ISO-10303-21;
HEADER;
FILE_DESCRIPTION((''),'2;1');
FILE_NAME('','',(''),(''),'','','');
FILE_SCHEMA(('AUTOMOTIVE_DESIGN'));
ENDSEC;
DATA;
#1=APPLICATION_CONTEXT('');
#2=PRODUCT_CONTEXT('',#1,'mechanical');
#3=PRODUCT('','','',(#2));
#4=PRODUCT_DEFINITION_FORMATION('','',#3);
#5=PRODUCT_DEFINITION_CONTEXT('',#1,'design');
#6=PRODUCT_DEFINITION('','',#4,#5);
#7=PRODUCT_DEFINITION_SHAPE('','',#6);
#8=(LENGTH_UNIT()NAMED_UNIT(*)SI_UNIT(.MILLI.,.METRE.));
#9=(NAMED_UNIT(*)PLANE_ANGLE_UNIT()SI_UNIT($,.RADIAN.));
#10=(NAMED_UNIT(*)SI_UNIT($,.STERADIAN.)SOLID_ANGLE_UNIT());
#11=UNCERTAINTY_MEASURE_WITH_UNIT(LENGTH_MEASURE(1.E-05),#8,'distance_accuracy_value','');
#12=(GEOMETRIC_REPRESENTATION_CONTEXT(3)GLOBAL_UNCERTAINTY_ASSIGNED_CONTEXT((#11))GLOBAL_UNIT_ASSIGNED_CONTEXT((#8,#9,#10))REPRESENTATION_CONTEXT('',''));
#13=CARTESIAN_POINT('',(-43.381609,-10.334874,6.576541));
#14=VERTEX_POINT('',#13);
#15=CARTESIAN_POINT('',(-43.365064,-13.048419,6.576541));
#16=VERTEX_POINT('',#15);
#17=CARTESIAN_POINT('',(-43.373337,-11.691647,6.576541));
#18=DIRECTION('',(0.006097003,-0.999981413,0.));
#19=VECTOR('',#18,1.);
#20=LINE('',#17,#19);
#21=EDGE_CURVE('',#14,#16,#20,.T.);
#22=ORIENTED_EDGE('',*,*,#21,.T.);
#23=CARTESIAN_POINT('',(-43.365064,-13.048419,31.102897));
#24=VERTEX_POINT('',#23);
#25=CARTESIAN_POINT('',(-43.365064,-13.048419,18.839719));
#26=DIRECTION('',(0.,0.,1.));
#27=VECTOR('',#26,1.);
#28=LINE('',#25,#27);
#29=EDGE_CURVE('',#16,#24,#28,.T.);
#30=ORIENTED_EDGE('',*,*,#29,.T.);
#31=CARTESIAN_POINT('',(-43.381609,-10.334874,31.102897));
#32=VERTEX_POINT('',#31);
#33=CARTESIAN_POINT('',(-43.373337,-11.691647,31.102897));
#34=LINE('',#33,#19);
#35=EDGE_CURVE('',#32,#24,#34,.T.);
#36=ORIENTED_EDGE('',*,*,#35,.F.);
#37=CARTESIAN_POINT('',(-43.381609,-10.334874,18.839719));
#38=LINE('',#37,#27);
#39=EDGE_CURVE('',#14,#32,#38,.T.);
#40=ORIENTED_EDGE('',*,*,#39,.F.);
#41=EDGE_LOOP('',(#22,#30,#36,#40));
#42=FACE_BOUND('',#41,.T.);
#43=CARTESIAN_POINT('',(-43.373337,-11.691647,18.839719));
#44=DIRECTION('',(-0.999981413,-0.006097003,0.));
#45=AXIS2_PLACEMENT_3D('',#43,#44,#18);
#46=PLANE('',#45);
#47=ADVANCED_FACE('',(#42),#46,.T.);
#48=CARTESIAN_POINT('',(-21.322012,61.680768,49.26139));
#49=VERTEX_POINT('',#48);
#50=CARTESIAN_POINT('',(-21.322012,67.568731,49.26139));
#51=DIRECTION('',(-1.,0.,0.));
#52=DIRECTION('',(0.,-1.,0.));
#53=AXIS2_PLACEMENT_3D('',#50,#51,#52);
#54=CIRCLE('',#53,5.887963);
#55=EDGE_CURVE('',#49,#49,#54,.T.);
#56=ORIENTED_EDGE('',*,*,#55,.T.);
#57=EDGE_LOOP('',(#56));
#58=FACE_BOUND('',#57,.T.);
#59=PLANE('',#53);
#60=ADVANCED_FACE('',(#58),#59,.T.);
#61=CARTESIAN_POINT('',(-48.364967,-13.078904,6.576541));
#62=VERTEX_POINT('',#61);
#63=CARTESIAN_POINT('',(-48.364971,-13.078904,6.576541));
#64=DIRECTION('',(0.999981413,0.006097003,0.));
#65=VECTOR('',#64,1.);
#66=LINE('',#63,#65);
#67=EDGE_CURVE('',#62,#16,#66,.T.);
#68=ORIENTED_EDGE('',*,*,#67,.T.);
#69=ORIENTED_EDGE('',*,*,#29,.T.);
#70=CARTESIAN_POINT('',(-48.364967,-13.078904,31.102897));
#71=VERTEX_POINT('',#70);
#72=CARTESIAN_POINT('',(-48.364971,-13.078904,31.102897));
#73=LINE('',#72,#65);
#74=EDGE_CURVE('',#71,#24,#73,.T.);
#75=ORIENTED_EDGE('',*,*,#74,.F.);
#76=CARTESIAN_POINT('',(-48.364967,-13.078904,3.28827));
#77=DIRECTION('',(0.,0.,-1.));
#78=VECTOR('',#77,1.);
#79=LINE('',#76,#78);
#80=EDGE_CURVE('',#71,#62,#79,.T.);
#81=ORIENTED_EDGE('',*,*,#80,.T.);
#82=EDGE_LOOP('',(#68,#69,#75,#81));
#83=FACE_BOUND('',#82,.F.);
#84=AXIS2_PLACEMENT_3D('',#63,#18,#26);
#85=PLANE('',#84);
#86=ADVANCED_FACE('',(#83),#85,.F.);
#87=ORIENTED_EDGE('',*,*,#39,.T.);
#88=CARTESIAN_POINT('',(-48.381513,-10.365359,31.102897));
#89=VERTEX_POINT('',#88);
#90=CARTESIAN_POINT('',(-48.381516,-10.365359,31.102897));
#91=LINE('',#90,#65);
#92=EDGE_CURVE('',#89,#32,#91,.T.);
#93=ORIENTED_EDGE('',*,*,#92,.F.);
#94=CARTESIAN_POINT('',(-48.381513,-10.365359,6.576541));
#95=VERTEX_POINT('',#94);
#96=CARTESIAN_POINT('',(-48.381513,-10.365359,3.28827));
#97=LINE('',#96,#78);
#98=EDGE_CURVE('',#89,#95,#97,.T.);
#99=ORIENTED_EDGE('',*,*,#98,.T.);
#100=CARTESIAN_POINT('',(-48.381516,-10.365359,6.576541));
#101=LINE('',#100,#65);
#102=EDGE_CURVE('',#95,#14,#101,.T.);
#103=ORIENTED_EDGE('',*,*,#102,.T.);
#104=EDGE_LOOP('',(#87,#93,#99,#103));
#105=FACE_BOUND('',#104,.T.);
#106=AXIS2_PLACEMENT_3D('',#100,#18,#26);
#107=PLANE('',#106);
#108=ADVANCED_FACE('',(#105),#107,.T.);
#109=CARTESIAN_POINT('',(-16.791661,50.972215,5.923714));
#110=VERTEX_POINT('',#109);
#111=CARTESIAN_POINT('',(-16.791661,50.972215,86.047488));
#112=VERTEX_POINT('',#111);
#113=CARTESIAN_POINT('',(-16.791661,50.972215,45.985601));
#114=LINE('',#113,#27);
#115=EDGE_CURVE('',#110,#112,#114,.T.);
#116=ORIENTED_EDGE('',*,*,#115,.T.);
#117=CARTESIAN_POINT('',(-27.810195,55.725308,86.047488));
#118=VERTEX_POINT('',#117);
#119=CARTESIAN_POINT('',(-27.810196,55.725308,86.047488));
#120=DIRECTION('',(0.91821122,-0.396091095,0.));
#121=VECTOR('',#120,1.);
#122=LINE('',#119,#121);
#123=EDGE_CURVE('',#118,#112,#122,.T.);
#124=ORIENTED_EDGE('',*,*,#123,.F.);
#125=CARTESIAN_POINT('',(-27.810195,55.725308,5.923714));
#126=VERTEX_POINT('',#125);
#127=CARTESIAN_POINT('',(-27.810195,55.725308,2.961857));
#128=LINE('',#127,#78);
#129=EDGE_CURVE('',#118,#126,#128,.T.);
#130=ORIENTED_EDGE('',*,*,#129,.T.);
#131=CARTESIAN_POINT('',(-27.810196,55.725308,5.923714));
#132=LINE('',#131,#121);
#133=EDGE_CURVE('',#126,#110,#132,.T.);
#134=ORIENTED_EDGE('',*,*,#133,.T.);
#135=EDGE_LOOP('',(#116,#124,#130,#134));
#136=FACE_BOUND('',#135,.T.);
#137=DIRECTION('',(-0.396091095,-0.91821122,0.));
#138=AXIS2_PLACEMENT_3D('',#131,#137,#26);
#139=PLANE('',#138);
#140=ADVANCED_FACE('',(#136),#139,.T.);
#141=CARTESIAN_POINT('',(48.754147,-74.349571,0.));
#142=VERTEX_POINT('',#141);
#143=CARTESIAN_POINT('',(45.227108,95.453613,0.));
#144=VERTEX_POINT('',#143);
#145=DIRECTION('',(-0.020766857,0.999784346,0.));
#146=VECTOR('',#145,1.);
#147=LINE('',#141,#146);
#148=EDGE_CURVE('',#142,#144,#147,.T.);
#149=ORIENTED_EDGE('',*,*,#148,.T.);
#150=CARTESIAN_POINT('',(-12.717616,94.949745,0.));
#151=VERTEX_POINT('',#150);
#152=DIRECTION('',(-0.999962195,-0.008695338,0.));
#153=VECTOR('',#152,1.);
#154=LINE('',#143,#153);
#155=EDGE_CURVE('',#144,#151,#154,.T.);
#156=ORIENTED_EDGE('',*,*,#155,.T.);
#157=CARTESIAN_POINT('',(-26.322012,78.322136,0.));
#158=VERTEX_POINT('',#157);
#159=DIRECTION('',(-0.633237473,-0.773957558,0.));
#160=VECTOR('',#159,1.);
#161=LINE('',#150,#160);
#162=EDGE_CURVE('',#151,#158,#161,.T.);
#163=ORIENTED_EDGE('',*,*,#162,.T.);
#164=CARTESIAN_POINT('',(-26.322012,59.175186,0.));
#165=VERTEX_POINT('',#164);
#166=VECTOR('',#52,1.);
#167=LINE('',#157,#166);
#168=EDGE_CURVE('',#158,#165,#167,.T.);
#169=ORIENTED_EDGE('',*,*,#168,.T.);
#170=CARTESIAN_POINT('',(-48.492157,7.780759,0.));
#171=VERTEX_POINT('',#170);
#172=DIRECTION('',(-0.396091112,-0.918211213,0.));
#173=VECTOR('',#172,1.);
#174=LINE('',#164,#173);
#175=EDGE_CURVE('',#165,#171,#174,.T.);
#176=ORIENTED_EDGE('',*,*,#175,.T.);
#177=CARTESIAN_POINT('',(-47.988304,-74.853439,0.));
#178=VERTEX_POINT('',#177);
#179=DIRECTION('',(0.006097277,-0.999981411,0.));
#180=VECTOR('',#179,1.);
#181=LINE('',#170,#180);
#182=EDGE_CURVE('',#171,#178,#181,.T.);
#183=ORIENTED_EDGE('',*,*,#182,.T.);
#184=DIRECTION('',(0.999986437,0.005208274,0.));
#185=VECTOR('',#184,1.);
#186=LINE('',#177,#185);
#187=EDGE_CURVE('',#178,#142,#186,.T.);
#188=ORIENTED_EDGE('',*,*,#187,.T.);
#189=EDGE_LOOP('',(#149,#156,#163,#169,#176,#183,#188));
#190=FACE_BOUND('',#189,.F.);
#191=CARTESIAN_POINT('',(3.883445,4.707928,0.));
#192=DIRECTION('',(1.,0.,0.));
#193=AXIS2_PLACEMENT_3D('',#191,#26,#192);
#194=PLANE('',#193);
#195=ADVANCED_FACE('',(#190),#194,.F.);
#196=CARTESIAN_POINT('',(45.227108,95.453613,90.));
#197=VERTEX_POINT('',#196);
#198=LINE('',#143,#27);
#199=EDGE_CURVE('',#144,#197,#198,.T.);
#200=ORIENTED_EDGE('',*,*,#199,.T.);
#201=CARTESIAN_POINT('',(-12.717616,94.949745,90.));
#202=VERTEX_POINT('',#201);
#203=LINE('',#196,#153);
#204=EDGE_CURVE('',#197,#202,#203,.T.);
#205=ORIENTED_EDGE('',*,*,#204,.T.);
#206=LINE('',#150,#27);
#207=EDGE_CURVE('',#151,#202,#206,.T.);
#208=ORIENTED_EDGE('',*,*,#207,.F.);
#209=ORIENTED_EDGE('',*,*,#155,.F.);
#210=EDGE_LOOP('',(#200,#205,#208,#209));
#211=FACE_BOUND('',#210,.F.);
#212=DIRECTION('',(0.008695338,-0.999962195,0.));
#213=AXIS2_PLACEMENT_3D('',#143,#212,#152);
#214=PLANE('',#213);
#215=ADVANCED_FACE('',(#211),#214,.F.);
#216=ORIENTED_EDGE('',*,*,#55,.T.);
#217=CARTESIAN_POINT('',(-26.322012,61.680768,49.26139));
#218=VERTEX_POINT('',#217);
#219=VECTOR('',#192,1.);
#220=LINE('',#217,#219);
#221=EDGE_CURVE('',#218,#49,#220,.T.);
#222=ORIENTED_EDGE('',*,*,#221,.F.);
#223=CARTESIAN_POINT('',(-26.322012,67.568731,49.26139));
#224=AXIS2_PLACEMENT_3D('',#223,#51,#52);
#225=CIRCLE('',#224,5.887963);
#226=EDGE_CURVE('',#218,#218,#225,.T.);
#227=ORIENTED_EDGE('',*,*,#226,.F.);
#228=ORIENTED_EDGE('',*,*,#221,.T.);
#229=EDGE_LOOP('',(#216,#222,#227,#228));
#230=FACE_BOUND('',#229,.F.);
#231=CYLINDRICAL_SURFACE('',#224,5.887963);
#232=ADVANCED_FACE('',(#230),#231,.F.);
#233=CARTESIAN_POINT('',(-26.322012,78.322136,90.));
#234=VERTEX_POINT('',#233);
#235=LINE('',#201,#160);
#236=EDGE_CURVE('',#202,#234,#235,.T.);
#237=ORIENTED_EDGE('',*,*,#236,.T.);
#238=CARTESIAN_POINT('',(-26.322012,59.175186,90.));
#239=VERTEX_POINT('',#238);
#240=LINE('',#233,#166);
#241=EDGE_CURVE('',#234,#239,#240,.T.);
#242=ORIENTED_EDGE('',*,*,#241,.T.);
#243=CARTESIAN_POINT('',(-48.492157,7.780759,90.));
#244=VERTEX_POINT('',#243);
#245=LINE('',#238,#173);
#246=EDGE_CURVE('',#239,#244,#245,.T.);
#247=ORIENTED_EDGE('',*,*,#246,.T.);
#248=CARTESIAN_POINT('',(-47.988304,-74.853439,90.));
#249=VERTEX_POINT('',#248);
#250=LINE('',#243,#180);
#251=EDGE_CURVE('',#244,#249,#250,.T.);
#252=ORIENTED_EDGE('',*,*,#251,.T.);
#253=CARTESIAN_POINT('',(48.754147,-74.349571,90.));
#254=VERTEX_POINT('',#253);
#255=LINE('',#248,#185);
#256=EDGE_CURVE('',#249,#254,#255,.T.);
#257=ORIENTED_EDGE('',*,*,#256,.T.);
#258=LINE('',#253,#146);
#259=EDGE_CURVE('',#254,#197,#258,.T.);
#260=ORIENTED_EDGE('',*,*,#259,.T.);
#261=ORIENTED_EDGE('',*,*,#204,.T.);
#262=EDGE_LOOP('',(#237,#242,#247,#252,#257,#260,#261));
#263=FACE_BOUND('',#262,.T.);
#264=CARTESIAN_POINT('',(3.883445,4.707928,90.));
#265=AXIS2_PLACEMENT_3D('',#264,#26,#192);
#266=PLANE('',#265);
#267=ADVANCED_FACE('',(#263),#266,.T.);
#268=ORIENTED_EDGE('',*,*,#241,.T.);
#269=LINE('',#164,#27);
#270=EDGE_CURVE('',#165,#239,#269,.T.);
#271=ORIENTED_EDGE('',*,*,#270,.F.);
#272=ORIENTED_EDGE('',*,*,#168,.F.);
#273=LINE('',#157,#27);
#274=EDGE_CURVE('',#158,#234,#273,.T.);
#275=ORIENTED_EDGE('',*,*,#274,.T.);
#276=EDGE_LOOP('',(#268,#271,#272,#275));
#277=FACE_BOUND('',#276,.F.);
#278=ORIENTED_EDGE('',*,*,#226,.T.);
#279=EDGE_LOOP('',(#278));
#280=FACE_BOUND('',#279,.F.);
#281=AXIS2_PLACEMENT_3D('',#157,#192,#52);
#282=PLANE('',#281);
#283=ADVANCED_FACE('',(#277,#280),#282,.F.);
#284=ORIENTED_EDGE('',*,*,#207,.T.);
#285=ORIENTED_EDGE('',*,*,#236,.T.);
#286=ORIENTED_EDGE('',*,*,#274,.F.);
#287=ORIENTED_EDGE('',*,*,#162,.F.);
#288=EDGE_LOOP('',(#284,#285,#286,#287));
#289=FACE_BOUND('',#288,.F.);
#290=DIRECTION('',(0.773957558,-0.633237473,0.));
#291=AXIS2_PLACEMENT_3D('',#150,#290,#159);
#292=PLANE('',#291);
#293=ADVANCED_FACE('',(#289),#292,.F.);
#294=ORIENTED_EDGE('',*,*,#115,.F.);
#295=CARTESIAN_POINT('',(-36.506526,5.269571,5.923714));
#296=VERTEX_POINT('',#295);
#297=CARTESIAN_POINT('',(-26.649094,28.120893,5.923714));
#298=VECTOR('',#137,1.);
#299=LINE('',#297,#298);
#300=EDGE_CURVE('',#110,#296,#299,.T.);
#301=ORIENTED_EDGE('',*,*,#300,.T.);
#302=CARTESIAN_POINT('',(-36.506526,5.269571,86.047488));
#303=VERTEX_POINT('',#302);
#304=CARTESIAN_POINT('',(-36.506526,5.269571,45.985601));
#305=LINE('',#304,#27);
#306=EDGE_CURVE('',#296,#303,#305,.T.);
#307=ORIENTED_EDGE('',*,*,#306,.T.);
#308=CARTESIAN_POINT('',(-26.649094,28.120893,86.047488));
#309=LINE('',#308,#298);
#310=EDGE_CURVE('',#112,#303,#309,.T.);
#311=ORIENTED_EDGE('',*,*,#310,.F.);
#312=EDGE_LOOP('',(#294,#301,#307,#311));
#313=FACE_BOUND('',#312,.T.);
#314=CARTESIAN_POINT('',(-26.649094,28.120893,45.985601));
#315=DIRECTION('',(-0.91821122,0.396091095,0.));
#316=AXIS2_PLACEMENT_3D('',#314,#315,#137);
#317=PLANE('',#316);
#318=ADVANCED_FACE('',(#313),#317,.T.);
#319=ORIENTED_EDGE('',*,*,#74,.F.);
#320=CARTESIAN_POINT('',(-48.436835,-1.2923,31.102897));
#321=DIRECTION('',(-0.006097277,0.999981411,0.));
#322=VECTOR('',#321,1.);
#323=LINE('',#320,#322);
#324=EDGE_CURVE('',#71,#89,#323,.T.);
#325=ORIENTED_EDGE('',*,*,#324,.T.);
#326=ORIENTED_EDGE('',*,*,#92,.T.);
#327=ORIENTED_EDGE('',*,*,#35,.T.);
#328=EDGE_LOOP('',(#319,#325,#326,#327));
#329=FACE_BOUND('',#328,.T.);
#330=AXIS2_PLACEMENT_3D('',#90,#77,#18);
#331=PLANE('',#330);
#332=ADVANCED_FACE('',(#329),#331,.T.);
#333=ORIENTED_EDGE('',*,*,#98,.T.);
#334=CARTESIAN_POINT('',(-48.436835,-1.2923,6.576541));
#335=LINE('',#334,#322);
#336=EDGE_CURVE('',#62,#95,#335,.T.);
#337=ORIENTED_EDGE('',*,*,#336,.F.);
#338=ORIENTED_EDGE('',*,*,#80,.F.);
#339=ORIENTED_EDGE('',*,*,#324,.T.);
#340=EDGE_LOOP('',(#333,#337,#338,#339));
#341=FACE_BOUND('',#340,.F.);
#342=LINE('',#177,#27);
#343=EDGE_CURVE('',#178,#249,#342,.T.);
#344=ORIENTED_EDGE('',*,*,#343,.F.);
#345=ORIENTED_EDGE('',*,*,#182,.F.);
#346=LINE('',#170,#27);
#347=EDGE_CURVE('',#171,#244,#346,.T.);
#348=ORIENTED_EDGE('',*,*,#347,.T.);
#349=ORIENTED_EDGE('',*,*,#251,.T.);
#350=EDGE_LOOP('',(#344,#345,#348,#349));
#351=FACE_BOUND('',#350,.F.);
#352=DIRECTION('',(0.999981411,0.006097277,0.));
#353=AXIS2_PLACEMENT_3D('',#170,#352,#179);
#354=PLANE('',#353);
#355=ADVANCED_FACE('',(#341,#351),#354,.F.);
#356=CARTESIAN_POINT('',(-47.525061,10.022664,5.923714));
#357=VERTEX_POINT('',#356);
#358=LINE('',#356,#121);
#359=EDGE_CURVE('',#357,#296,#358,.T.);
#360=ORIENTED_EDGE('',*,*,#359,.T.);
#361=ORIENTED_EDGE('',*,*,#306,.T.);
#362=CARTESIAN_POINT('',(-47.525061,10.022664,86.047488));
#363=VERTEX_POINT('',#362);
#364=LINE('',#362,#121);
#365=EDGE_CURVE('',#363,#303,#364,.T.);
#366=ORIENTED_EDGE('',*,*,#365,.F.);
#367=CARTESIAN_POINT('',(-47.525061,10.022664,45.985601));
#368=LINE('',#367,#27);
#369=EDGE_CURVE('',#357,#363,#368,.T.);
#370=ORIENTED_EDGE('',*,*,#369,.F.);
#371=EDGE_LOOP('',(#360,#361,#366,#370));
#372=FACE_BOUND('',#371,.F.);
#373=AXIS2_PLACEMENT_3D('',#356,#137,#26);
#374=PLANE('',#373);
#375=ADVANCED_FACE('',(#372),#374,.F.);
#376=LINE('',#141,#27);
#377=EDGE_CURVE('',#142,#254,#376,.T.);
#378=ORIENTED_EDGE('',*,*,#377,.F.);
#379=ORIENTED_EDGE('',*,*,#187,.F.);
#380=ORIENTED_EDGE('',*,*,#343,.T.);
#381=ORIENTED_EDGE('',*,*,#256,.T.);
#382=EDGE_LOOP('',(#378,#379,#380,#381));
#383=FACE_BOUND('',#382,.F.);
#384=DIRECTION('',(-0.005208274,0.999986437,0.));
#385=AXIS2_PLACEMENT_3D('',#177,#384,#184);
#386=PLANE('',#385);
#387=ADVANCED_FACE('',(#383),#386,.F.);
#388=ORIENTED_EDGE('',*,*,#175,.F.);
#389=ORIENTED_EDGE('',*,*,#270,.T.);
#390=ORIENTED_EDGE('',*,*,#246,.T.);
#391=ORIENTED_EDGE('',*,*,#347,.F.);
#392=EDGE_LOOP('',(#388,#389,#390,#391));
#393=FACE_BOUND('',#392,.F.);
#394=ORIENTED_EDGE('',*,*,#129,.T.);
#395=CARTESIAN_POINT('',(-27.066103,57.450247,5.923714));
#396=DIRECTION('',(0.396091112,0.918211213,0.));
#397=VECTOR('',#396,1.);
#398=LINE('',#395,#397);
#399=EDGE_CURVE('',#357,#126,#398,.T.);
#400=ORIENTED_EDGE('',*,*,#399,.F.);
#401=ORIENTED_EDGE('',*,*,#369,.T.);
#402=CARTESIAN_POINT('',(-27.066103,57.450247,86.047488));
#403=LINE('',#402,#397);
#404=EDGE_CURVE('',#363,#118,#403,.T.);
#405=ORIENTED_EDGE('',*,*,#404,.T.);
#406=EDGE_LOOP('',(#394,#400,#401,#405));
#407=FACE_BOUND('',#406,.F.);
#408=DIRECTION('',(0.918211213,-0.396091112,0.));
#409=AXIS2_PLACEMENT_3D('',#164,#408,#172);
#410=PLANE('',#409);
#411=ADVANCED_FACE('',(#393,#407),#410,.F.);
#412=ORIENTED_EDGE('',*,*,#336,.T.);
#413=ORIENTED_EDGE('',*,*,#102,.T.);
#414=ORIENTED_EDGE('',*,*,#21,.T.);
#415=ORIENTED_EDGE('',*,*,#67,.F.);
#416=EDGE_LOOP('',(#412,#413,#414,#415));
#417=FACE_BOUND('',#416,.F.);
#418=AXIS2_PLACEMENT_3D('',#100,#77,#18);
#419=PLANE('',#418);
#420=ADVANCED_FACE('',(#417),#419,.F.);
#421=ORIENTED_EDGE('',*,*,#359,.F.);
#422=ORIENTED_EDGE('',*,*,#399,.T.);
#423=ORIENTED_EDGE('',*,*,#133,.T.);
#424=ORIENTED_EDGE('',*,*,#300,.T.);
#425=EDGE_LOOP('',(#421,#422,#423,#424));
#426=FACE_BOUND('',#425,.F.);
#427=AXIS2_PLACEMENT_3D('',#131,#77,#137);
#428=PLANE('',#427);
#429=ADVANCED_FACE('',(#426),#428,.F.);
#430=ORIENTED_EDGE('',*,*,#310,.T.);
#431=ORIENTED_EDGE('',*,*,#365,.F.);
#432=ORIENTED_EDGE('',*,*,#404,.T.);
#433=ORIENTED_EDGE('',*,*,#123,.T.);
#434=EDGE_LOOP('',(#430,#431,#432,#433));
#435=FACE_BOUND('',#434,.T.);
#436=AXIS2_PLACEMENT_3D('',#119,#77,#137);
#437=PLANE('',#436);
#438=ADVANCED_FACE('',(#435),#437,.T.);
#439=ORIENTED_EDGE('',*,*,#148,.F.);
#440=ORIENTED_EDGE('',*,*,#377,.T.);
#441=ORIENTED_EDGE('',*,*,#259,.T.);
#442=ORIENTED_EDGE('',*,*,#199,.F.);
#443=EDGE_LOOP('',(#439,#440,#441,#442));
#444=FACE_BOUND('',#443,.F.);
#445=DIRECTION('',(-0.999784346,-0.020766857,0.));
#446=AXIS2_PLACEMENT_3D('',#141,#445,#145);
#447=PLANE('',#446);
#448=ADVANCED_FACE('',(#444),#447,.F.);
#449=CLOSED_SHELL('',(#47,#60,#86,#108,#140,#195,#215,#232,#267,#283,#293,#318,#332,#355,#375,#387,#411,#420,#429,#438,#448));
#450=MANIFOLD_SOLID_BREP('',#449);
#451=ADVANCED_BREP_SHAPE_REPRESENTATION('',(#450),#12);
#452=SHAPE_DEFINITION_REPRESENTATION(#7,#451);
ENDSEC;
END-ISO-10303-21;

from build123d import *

# Parameters (mm, degrees)
PAD_DEPTH       = 90
SKETCH001_W     = 49.773563
SKETCH001_H     = 80.123774
POCKET_DEPTH    = 12
SKETCH002_R     = 5.887963
POCKET001_DEPTH = 5
SKETCH003_W     = 2.713595
SKETCH003_H     = 24.526356
POCKET002_DEPTH = 5


with BuildPart() as part:
    # Sketch → Pad (new body)
    with BuildSketch(Plane.XY):
        Polygon((-48.492157, 7.780759), (-47.988304, -74.853439), (48.754147, -74.349571), (45.227108, 95.453613), (-12.717616, 94.949745), (-26.322012, 78.322136), (-26.322012, 59.175186), align=None)
    extrude(amount=PAD_DEPTH)

    # Sketch001 (on Face7 of Pad) → Pocket (cut)
    with BuildSketch(Plane(origin=(-43.714137, 18.857079, 0), x_dir=(-0.396091, -0.918211, 0), z_dir=(-0.918211, 0.396091, 0))):
        with Locations((-15.26545, 45.985601)):
            Rectangle(SKETCH001_W, SKETCH001_H)
    extrude(amount=-POCKET_DEPTH, mode=Mode.SUBTRACT)

    # Sketch002 (on Face6 of Pocket) → Pocket001 (cut)
    with BuildSketch(Plane(origin=(-26.322012, 0, 0), x_dir=(0, -1, 0), z_dir=(-1, 0, 0))):
        with Locations((-67.568731, 49.26139)):
            Circle(SKETCH002_R)
    extrude(amount=-POCKET001_DEPTH, mode=Mode.SUBTRACT)

    # Sketch003 (on Face1 of Pocket001) → Pocket002 (cut)
    with BuildSketch(Plane(origin=(-48.442914, -0.295375, 0), x_dir=(0.006097, -0.999981, 0), z_dir=(-0.999981, -0.006097, 0))):
        with Locations((11.426969, 18.839719)):
            Rectangle(SKETCH003_W, SKETCH003_H)
    extrude(amount=-POCKET002_DEPTH, mode=Mode.SUBTRACT)


solid = part.part
